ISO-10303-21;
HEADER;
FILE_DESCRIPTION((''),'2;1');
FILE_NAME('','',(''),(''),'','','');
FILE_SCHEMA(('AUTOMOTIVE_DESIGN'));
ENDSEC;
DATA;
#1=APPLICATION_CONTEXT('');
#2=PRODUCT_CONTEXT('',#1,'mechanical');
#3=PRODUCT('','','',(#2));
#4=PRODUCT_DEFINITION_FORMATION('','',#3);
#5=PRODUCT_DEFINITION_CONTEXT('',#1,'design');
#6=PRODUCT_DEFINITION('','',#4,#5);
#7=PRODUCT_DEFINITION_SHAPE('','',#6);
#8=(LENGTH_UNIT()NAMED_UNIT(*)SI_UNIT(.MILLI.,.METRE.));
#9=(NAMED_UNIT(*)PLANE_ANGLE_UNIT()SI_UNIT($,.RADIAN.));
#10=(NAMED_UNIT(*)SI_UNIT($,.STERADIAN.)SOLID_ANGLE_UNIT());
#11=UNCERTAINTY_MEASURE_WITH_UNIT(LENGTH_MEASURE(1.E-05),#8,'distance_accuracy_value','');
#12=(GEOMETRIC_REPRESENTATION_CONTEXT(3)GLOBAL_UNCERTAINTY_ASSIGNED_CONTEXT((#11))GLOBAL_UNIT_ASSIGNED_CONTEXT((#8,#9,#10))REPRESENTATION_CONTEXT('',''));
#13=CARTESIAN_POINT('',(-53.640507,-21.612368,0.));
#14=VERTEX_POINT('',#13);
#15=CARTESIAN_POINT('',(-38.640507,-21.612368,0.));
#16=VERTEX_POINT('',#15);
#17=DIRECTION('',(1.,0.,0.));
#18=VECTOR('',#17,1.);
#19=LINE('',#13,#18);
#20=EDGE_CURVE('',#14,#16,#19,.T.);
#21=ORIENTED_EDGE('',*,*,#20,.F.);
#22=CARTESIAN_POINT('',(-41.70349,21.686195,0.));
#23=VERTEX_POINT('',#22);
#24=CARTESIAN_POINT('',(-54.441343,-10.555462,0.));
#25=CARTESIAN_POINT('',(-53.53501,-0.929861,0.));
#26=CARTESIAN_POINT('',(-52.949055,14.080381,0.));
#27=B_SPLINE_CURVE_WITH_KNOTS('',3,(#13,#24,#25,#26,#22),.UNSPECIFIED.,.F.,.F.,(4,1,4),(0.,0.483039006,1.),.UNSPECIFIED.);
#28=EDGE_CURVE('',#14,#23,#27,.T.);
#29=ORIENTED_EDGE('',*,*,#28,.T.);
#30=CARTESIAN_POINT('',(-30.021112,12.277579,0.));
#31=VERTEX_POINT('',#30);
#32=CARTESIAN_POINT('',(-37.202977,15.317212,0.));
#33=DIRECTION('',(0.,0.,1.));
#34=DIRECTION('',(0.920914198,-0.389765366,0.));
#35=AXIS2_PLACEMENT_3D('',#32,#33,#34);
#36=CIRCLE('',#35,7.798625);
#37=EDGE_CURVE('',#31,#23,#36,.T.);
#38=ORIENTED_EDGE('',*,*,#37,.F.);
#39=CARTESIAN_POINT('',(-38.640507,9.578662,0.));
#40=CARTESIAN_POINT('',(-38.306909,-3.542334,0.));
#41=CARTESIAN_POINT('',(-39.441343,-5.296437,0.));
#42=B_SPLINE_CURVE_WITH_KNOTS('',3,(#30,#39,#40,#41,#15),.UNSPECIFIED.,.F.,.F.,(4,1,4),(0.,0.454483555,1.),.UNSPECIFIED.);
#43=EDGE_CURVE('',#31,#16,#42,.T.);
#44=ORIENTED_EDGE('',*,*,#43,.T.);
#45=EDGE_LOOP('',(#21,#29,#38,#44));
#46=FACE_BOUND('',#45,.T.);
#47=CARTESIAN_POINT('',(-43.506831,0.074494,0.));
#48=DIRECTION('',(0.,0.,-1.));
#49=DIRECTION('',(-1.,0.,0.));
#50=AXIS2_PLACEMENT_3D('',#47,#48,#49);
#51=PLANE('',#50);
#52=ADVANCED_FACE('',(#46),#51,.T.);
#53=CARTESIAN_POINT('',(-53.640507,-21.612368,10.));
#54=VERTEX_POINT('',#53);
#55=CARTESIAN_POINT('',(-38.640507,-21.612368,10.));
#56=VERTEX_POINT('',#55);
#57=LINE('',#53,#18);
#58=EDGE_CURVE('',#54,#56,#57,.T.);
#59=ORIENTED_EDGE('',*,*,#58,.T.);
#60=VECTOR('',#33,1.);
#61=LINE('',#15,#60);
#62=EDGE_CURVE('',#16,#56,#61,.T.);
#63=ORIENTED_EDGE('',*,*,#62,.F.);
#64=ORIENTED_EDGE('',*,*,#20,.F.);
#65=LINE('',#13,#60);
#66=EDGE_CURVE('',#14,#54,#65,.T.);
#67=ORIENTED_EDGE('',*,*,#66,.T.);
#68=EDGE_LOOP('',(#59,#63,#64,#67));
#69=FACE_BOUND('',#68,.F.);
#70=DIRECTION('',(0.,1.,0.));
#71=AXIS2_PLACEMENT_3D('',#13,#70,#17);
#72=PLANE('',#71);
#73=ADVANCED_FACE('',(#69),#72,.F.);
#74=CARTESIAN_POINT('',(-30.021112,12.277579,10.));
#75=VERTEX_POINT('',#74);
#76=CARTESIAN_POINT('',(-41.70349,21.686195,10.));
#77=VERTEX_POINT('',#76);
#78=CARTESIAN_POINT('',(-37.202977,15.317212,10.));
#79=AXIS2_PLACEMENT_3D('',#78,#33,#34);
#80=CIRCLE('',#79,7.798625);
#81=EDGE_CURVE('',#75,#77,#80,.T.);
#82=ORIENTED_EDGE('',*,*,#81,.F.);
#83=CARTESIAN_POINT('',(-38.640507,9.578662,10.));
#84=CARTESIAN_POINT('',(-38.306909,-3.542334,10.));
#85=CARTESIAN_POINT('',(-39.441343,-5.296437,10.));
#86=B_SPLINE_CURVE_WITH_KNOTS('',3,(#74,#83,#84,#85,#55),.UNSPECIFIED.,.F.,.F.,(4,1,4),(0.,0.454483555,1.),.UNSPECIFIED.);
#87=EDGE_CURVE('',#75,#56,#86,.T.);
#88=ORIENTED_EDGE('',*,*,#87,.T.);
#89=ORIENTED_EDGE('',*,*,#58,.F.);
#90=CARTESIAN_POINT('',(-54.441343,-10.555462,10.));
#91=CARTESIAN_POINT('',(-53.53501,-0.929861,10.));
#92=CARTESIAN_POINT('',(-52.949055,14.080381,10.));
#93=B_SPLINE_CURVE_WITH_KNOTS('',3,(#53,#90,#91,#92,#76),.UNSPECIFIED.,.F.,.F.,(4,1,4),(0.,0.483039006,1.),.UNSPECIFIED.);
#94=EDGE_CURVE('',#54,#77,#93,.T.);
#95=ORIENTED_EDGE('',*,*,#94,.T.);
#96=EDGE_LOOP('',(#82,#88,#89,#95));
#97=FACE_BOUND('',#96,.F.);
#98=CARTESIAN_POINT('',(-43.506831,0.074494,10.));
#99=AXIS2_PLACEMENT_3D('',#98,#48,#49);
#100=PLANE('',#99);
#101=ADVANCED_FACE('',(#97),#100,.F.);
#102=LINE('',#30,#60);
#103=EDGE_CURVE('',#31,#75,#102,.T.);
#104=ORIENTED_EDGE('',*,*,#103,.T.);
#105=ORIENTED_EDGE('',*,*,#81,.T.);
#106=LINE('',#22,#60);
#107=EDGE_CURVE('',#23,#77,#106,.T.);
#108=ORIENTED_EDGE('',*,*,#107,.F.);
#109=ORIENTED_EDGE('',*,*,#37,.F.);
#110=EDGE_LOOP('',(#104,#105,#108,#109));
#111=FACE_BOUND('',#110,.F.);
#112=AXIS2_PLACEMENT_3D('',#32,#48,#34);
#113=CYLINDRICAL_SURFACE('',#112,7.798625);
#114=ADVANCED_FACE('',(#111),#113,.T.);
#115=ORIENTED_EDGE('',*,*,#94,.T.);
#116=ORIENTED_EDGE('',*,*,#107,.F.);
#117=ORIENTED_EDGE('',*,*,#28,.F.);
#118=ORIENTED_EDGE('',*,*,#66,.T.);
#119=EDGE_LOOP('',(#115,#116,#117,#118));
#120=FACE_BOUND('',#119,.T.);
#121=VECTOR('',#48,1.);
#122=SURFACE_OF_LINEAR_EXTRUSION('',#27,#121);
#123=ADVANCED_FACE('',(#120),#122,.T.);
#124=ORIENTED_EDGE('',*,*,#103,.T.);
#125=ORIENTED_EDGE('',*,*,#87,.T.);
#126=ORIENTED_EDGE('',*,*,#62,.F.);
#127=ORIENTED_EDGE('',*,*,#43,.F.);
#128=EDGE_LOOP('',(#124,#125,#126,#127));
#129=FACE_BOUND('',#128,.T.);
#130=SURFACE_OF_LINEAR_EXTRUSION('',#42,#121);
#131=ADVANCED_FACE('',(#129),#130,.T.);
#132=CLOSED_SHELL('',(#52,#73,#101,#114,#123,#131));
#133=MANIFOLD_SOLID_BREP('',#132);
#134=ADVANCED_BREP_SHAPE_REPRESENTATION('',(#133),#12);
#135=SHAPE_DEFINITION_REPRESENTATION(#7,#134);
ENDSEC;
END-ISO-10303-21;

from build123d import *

# Parameters (mm, degrees)
F1_DEPTH = 10


with BuildPart() as f1:
    # F0 (on Top) → F1 (new body)
    with BuildSketch(Plane.XY):
        with BuildLine():
            add(Edge.make_bspline(
                [(-53.6405071616, -21.6123681407), (-54.4413431005, -10.5554619524), (-53.5350097592, -0.9298606358), (-52.9490545808, 14.0803806376), (-41.7034897648, 21.6861946821)],
                knots=[0, 0, 0, 0, 0.4830390059, 1, 1, 1, 1], degree=3))
            Line((-53.6405071616, -21.6123681407), (-38.6405071616, -21.6123681407))
            add(Edge.make_bspline(
                [(-30.0211123594, 12.2775785161), (-38.6405071616, 9.5786619931), (-38.3069088182, -3.5423343633), (-39.4413431005, -5.2964370698), (-38.6405071616, -21.6123681407)],
                knots=[0, 0, 0, 0, 0.4544835552, 1, 1, 1, 1], degree=3))
            ThreePointArc((-30.0211123594, 12.2775785161), (-32.3113588887, 21.3909777857), (-41.7034897648, 21.6861946821))
        make_face()
    extrude(amount=F1_DEPTH)


solid = f1.part
